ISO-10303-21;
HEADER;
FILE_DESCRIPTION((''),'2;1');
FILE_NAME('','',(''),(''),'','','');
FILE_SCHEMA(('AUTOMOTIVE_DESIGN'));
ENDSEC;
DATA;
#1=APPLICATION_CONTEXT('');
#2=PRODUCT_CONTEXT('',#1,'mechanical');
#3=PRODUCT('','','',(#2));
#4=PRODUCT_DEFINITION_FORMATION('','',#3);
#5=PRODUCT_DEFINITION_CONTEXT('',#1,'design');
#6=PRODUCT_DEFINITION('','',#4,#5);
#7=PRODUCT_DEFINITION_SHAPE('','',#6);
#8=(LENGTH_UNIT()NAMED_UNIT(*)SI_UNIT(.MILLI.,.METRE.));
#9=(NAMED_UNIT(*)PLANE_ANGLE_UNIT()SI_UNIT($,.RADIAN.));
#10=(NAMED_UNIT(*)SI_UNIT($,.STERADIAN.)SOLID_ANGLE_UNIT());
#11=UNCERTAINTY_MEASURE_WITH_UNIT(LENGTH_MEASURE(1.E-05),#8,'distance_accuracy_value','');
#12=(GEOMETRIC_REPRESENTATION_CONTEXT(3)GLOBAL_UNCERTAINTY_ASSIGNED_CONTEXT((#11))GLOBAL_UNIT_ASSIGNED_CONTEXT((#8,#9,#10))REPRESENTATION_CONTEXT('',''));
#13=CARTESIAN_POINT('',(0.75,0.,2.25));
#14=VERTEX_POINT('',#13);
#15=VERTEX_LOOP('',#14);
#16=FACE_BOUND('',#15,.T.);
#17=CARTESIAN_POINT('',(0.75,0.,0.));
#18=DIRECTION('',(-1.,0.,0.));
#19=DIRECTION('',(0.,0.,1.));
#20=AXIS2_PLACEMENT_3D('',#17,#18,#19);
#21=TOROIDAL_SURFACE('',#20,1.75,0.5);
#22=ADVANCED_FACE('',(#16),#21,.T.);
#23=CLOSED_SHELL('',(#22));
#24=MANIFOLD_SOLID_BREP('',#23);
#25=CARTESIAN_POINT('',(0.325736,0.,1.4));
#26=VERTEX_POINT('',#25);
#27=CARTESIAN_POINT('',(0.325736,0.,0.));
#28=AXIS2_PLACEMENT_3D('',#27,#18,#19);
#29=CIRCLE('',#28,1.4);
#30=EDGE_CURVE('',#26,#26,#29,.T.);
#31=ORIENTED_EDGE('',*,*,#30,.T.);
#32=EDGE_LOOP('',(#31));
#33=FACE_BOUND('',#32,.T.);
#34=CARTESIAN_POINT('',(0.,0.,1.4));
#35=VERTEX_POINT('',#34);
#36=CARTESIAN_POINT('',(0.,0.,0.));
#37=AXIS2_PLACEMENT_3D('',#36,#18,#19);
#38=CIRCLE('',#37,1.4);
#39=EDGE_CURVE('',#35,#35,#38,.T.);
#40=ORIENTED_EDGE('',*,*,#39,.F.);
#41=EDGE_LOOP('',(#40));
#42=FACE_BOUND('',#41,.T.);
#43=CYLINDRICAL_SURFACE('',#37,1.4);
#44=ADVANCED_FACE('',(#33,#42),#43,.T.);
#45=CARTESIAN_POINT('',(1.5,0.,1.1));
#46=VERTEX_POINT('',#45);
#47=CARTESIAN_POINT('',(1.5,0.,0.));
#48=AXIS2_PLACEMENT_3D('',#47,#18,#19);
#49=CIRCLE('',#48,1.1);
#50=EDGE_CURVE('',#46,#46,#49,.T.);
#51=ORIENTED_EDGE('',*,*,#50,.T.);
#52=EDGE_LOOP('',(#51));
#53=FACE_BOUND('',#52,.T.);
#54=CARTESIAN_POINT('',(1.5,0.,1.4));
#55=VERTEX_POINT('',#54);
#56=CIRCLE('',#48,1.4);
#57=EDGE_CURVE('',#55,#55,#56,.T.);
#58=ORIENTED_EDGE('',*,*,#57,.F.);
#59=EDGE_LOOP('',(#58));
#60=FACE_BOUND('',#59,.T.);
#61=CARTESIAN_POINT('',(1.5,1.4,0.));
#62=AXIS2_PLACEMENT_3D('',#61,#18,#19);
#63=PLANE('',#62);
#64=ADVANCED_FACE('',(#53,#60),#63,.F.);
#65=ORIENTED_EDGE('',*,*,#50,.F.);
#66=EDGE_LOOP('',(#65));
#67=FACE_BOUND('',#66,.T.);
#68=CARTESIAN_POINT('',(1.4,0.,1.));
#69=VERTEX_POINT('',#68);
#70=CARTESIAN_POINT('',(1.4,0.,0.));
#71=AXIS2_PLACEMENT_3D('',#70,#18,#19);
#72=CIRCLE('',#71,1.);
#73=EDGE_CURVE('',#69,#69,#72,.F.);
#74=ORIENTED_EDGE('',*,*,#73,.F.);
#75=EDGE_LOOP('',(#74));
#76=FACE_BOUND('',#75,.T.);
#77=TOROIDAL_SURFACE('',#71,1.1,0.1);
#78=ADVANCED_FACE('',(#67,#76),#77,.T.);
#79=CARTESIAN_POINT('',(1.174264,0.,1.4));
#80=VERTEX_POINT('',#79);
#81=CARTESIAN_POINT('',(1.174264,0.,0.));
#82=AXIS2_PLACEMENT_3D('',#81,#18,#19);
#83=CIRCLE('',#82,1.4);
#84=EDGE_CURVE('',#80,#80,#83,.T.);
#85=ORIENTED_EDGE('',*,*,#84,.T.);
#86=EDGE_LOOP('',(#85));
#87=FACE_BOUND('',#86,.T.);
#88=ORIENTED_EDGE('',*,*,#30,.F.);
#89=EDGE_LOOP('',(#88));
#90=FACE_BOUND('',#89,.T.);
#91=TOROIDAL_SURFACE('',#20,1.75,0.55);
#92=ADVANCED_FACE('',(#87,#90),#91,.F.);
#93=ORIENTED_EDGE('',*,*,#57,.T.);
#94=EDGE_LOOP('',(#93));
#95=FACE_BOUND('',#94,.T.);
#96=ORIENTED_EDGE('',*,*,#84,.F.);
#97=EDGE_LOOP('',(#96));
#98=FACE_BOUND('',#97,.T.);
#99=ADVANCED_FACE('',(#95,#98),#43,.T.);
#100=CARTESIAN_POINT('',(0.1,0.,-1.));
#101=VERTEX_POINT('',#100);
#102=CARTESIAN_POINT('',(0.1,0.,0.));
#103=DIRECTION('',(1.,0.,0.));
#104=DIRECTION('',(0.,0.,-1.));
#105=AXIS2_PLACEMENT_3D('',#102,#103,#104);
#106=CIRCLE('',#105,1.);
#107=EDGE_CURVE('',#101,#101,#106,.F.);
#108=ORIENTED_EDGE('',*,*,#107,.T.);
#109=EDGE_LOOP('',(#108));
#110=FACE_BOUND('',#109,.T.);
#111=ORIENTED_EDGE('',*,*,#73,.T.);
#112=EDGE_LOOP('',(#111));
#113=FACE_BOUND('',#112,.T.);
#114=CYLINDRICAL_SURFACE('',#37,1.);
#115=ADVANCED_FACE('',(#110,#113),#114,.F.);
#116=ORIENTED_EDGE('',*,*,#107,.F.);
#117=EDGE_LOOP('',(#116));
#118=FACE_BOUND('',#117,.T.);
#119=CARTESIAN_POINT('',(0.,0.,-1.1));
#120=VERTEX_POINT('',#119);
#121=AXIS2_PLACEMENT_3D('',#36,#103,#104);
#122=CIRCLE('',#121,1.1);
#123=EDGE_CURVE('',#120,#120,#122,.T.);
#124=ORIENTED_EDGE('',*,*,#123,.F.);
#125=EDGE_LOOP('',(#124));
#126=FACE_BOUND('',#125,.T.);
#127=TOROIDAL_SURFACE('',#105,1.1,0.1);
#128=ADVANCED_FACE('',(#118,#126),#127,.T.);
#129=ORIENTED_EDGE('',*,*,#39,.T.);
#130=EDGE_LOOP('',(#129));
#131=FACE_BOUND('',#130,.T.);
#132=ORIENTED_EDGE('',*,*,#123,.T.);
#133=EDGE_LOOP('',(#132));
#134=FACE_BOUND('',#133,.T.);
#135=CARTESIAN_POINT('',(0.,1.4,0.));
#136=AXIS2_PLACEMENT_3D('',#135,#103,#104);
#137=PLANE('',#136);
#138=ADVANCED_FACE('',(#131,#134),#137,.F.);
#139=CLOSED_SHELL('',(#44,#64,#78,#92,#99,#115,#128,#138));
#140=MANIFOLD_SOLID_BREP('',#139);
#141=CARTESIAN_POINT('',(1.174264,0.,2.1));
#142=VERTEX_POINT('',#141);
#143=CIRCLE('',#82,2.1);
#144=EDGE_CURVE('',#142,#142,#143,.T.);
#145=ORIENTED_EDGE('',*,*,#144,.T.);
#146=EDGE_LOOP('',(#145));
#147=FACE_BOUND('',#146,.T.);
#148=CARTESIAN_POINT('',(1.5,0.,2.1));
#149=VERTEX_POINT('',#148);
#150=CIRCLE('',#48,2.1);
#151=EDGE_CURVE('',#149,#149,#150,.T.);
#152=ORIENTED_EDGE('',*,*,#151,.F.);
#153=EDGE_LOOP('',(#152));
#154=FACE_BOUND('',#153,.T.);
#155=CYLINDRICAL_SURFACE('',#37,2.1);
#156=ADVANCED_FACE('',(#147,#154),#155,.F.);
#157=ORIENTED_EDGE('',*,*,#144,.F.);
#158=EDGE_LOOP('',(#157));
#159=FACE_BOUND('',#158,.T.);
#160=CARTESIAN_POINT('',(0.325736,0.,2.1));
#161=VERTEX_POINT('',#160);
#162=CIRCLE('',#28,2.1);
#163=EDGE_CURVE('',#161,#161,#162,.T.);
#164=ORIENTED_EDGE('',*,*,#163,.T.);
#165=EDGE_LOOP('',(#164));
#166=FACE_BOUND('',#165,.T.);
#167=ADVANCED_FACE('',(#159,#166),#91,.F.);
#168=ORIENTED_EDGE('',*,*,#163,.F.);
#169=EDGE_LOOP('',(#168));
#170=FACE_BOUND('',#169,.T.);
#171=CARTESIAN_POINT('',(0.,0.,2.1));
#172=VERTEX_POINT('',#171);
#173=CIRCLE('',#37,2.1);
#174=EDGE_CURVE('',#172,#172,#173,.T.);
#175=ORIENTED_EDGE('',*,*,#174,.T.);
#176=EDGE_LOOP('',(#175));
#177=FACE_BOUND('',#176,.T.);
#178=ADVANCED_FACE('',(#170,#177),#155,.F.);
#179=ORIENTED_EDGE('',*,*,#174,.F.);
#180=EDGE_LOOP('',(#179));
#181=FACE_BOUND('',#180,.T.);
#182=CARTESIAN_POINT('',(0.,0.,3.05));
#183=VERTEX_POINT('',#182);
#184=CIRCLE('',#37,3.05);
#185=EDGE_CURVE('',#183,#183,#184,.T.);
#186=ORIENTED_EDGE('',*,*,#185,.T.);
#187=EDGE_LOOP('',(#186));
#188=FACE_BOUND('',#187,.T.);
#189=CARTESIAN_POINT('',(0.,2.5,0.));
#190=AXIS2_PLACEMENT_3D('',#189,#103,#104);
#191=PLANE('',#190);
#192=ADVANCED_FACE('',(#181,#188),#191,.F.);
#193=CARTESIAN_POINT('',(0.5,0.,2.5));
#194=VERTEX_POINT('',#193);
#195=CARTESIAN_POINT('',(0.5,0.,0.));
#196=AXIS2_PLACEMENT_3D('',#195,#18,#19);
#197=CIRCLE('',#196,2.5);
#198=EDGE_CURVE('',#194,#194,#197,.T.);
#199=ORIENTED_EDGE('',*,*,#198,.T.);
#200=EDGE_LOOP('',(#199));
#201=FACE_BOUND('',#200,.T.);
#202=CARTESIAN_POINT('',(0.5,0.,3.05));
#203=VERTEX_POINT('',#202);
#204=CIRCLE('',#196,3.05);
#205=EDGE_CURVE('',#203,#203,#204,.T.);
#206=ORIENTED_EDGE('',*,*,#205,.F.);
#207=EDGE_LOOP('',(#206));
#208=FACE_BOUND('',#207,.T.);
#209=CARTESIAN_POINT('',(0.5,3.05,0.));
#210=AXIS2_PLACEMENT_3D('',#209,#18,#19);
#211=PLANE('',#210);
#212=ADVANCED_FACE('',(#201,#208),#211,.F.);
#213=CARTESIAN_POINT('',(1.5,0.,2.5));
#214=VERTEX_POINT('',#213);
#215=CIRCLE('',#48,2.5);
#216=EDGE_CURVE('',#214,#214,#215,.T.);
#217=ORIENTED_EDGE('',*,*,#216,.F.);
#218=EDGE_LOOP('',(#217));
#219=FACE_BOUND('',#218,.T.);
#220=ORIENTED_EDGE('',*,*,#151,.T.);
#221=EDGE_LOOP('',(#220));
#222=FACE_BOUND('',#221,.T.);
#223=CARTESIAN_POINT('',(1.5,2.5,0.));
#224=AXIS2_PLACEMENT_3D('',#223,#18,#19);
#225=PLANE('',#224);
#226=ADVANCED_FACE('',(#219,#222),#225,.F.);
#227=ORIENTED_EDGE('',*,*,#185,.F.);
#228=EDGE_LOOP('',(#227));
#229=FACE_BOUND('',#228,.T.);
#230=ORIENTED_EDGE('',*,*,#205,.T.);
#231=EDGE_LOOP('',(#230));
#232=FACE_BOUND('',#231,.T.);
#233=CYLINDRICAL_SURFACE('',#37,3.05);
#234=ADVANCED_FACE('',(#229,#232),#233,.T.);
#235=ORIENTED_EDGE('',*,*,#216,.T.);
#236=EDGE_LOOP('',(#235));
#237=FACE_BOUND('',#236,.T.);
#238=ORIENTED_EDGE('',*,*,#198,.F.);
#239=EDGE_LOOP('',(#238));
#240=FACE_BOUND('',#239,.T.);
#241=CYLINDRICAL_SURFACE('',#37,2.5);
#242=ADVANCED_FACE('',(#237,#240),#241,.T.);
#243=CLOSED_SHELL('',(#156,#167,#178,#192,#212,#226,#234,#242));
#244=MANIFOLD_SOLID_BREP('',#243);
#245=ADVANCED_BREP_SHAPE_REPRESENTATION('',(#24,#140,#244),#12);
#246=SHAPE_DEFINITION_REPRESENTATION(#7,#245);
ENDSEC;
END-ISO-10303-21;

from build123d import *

# Parameters (mm, degrees)
SKETCH_1_R = 0.5
FILLET_2_R = 0.1


with BuildPart() as part:
    # 草图1 → 旋转1 (revolve)
    with BuildSketch(Plane.XY, mode=Mode.PRIVATE) as revolve_1_sk:
        with Locations((0.75, 1.75)):
            Circle(SKETCH_1_R)
        with BuildLine():
            Line((0.5, 2.5), (1.5, 2.5))
            Line((1.5, 2.5), (1.5, 2.1))
            Line((1.5, 2.1), (1.174264069, 2.1))
            ThreePointArc((1.174264069, 2.1), (0.75, 2.3), (0.325735931, 2.1))
            Line((0.325735931, 2.1), (0, 2.1))
            Line((0, 2.1), (0, 2.5))
            Line((0, 2.5), (0, 3.05))
            Line((0, 3.05), (0.5, 3.05))
            Line((0.5, 3.05), (0.5, 2.5))
        make_face()
        with BuildLine():
            Line((0, 1), (1.5, 1))
            Line((1.5, 1), (1.5, 1.4))
            Line((1.5, 1.4), (1.174264069, 1.4))
            ThreePointArc((1.174264069, 1.4), (0.75, 1.2), (0.325735931, 1.4))
            Line((0.325735931, 1.4), (0, 1.4))
            Line((0, 1.4), (0, 1))
        make_face()
    revolve(revolve_1_sk.sketch.rotate(Axis((0, 0, 0), (1, 0, 0)), 90), axis=Axis((0, 0, 0), (1, 0, 0)))

    # 圆角2
    fillet_2_edges = [part.edges().sort_by_distance(p)[0] for p in [
        (1.5, 0, -1),
        (0, 0, -1),
    ]]
    fillet(fillet_2_edges, radius=FILLET_2_R)


solid = part.part
